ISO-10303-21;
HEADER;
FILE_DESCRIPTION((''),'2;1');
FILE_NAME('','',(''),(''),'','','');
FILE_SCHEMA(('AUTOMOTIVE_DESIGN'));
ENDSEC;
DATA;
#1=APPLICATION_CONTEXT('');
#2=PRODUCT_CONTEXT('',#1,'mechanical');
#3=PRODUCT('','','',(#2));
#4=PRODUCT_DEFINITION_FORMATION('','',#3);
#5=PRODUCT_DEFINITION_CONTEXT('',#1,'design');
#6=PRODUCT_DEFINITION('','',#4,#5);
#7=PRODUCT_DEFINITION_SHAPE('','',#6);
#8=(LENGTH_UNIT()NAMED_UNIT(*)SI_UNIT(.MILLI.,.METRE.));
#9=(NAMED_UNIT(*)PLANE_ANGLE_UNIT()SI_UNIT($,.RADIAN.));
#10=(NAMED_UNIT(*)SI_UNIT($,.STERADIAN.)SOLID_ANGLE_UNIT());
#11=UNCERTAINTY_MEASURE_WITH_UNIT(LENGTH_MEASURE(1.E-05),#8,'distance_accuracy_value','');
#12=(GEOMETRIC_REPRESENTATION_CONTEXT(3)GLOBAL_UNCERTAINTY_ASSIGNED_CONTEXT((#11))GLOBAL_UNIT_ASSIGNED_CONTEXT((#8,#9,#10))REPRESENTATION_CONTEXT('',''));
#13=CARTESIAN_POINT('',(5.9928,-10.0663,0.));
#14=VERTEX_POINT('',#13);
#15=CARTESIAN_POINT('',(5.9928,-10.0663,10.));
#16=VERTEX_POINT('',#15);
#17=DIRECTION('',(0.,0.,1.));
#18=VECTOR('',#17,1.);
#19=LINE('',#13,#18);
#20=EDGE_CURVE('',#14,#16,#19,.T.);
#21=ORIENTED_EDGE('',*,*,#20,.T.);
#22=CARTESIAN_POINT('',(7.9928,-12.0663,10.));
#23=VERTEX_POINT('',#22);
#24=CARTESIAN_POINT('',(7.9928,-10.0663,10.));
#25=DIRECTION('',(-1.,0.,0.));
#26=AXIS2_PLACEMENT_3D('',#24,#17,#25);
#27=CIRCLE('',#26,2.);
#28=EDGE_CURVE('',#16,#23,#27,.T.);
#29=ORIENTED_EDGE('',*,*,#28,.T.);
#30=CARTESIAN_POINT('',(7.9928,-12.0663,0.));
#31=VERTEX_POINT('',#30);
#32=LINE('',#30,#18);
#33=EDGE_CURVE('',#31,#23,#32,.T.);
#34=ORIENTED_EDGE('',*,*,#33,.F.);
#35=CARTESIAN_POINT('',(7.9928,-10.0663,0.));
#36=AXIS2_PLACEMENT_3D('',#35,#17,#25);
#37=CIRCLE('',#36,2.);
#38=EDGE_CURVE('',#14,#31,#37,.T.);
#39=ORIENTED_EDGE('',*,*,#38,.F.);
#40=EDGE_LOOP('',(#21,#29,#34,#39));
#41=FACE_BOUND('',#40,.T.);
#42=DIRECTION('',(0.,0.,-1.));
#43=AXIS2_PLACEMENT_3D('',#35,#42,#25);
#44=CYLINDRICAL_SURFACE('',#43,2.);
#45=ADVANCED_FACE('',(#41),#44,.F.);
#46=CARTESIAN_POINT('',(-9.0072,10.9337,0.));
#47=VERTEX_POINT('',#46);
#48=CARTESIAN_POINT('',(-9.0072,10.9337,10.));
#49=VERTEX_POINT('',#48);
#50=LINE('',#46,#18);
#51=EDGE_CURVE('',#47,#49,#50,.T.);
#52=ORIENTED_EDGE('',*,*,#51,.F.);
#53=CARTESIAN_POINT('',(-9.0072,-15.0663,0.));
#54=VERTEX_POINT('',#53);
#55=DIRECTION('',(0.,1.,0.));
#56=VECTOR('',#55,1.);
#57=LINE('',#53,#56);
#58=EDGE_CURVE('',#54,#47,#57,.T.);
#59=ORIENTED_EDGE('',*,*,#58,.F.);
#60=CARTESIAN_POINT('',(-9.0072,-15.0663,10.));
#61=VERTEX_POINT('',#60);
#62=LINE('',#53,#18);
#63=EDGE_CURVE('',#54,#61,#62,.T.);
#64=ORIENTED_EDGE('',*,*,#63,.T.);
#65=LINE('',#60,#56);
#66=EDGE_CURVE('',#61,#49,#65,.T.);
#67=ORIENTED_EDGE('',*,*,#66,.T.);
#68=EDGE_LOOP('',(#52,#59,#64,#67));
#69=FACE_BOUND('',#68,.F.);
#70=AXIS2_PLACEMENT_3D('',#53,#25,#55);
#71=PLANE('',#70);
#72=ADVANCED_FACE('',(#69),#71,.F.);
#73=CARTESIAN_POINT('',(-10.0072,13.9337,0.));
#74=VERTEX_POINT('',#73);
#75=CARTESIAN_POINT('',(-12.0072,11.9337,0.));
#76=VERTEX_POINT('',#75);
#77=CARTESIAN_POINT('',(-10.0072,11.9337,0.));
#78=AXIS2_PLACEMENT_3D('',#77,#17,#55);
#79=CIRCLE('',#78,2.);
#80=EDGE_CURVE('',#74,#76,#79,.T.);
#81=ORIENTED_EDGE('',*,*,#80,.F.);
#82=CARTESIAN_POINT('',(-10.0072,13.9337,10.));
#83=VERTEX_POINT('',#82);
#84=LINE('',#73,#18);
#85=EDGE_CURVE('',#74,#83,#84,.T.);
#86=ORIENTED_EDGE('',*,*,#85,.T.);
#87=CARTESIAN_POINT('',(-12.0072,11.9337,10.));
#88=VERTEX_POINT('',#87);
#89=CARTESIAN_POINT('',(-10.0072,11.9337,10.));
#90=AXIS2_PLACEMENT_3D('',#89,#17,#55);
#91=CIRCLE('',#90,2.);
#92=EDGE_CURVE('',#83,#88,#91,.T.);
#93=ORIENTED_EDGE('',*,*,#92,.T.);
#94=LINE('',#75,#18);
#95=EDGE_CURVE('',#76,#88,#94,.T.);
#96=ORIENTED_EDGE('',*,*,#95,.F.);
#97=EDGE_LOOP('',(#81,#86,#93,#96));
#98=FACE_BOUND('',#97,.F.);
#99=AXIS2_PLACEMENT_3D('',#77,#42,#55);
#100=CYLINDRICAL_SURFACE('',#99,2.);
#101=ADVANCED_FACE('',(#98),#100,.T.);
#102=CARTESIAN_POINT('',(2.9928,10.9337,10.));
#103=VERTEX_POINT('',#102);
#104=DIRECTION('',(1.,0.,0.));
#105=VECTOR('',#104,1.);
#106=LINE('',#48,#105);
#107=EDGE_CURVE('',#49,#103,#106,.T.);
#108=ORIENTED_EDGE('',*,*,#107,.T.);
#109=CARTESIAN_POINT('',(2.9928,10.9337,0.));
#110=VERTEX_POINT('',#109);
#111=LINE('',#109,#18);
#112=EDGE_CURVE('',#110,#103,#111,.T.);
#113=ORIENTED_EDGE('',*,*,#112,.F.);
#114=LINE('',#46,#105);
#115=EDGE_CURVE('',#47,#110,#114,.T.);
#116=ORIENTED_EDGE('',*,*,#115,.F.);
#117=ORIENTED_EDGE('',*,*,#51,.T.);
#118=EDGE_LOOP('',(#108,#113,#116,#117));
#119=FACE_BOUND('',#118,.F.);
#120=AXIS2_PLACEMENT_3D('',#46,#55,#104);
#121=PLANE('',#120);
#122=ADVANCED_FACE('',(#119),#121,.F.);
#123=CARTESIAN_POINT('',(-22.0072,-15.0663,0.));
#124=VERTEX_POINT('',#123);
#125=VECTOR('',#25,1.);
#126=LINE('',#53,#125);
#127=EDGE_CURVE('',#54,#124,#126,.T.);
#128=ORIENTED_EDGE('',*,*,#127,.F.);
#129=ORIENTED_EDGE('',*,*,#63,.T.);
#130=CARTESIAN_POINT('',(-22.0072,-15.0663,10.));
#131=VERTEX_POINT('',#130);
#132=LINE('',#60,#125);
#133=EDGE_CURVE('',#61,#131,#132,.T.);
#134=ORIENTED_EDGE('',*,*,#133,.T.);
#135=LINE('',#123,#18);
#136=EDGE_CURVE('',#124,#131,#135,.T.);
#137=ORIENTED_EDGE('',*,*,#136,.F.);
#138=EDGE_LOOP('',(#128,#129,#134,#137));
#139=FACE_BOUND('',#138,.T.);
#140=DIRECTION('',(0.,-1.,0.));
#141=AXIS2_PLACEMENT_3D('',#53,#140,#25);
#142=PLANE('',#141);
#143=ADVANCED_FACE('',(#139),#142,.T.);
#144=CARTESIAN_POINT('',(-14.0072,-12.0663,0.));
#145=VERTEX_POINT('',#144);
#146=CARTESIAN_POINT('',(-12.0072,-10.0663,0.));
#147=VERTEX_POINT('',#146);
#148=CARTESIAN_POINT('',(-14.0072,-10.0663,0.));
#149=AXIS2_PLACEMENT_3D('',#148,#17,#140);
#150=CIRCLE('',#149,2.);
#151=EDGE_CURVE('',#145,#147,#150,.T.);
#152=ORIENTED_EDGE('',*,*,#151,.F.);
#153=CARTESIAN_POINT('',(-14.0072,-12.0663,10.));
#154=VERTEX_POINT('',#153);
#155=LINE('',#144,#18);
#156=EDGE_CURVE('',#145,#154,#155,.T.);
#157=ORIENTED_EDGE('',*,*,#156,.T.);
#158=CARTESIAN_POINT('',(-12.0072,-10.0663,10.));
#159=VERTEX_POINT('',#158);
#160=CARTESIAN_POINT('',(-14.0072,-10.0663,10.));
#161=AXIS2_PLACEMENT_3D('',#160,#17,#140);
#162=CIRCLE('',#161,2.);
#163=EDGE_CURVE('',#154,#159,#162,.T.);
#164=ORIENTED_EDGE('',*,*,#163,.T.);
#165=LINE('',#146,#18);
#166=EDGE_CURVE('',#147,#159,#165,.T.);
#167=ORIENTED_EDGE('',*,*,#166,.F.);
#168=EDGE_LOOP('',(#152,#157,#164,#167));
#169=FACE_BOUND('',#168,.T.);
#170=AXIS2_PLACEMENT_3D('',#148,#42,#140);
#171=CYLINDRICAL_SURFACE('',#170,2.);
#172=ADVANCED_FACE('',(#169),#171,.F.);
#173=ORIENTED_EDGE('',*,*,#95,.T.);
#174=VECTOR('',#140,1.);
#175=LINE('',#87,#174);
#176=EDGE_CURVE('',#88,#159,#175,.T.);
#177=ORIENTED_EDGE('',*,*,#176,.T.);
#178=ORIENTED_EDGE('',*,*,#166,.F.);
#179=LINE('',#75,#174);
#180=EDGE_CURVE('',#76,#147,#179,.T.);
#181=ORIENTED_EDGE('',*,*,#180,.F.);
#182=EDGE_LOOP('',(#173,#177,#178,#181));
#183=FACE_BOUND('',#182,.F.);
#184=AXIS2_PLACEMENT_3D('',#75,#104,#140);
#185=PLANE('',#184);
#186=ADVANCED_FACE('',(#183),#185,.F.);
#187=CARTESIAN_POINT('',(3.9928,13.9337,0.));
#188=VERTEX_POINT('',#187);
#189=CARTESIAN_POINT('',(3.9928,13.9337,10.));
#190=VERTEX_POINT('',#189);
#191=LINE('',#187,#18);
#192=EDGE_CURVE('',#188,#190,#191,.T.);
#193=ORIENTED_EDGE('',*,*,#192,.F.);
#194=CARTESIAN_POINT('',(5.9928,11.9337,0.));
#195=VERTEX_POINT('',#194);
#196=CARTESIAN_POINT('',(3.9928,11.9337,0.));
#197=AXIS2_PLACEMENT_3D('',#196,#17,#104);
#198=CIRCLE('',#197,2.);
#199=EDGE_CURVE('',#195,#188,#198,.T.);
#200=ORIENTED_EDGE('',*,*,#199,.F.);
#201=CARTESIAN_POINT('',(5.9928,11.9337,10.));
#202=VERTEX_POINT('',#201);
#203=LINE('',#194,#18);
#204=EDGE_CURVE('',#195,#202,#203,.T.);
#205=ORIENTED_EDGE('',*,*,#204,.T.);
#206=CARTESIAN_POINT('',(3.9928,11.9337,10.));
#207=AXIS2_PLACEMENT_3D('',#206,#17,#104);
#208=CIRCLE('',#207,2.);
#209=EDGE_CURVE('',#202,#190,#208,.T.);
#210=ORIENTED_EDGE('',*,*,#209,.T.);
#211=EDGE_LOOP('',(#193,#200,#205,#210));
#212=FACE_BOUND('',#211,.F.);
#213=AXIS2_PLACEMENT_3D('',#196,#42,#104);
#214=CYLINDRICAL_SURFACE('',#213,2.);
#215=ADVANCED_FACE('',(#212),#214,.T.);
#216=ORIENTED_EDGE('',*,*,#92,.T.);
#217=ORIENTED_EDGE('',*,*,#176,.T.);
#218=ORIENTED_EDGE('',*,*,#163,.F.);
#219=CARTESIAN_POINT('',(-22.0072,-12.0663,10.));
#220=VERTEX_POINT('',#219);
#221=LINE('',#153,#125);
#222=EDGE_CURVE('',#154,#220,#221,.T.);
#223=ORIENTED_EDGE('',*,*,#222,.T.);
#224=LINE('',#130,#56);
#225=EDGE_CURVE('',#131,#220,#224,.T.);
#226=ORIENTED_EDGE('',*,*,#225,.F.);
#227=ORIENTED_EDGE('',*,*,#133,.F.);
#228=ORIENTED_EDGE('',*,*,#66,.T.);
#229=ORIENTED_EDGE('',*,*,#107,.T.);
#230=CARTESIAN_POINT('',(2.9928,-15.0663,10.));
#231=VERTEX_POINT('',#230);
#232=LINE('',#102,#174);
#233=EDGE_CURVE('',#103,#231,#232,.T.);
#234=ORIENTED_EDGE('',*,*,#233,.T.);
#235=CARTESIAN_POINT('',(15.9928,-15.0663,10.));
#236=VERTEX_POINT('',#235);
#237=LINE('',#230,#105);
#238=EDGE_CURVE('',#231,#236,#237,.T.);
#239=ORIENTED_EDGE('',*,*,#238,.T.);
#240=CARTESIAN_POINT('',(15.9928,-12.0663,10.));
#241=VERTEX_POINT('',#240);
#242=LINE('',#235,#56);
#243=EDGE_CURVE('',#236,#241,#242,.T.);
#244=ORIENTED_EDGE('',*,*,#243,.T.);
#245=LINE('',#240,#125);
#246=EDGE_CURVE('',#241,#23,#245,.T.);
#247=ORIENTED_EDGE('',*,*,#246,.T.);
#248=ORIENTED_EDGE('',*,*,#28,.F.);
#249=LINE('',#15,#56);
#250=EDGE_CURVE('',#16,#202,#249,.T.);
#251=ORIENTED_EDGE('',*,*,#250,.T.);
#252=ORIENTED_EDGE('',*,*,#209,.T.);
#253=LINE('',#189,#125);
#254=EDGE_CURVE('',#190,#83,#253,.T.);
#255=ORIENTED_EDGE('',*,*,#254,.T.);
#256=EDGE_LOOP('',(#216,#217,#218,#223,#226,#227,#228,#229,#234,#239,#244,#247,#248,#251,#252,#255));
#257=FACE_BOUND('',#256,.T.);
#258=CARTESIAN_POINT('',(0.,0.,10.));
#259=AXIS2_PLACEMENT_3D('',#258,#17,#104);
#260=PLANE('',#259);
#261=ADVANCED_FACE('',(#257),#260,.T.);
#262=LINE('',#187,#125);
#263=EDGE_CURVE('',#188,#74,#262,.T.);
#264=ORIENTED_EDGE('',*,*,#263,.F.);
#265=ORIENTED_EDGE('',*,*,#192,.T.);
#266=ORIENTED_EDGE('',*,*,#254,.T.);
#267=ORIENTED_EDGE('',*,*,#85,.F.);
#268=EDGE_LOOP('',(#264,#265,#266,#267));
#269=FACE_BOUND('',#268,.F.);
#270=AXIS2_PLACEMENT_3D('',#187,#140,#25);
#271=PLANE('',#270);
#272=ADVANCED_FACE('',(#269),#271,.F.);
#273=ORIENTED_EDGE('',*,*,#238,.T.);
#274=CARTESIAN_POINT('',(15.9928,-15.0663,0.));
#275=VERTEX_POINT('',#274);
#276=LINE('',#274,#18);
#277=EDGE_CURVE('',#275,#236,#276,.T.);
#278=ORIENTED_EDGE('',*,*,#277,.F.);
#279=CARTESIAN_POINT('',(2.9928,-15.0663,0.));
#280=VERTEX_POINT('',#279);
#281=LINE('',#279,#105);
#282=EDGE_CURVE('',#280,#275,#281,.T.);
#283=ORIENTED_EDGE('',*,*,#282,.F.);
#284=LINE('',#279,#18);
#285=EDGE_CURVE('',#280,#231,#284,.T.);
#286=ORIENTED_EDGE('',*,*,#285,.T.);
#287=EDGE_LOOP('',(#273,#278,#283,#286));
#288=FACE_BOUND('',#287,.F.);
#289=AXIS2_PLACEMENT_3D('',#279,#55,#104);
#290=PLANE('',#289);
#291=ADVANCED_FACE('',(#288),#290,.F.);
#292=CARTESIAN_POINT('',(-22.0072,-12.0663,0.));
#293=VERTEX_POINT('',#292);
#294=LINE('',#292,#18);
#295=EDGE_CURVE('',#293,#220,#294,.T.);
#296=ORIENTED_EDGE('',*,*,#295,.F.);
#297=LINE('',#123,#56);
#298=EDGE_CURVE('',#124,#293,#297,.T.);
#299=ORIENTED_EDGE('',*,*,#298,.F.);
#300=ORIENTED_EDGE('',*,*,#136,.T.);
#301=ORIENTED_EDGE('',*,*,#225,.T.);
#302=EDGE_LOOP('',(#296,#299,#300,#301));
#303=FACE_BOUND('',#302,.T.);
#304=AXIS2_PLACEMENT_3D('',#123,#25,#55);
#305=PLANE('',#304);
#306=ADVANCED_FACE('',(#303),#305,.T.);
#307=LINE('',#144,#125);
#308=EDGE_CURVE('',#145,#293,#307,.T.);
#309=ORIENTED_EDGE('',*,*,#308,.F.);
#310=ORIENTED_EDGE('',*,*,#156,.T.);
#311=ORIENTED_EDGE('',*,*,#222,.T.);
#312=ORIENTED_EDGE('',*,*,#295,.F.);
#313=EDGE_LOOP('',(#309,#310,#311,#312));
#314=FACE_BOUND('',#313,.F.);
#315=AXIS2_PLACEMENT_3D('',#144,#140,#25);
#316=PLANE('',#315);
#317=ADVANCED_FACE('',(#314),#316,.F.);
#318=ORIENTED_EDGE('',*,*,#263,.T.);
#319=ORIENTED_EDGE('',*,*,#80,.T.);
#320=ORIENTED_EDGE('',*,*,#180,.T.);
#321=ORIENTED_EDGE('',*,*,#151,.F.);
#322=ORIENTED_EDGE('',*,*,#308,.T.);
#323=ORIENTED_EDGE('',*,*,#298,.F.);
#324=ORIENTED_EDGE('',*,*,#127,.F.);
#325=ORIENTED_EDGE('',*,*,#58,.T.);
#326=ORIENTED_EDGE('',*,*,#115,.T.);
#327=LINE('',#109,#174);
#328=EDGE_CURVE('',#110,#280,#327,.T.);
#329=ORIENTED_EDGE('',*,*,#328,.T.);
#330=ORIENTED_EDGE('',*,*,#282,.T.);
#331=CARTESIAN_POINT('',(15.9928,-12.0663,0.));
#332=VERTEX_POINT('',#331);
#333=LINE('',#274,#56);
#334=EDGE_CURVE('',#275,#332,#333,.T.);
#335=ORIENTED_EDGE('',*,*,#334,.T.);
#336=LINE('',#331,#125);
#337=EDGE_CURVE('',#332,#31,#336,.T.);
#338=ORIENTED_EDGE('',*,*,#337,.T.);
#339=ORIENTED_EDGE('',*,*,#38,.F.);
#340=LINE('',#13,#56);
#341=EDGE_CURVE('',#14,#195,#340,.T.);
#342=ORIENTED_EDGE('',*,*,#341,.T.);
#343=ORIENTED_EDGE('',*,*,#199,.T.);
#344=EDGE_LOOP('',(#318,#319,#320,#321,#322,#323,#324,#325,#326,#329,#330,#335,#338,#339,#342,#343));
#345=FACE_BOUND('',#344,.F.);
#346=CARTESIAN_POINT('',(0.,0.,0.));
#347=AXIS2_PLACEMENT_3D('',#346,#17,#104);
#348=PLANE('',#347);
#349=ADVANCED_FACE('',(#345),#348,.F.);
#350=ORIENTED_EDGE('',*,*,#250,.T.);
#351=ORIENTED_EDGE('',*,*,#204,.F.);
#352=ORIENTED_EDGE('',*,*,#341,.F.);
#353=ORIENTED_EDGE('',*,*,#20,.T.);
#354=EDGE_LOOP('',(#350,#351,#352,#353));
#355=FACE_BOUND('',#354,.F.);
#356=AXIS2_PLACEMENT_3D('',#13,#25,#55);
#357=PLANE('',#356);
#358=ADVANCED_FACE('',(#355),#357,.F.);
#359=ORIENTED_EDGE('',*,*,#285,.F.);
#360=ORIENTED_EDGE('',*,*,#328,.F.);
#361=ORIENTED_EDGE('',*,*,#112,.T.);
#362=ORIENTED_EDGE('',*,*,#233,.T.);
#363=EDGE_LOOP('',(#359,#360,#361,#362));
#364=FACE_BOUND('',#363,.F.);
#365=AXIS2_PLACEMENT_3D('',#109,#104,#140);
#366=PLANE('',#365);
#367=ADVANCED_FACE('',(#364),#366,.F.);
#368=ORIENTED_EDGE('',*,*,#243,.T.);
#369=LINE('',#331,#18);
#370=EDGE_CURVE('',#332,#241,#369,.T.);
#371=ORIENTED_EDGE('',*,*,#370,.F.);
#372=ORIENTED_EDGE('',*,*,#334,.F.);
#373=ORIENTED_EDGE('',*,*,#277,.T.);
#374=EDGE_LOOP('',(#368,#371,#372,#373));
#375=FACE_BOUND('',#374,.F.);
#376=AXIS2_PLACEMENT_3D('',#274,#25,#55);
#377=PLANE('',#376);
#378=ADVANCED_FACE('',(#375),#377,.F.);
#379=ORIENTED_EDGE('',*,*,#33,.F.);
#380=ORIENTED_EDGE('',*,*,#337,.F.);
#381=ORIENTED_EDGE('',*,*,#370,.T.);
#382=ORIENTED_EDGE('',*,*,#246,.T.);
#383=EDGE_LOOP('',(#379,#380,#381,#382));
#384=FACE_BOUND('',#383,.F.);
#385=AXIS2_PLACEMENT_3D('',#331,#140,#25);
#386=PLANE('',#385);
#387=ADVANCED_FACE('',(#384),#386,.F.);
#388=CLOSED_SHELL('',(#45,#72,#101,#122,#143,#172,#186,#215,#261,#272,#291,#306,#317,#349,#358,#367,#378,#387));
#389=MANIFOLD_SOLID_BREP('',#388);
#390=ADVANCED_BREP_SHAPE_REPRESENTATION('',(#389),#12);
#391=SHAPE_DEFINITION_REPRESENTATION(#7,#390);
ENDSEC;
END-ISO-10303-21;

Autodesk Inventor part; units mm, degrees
ref_plane "YZ Plane" through (0, 0, 0) normal (1, 0, 0) x (0, 1, 0)
ref_plane "XZ Plane" through (0, 0, 0) normal (0, 1, 0) x (-1, 0, 0)
ref_plane "XY Plane" through (0, 0, 0) normal (0, 0, 1) x (1, 0, 0)
sketch "Sketch1" plane through (0, 0, 0) normal (0, 0, 1) x (1, 0, 0)
  line L0 (-9.0072, 10.9337) -> (2.9928, 10.9337)
  line L1 (2.9928, 10.9337) -> (2.9928, -15.0663)
  line L2 (-9.0072, -15.0663) -> (-9.0072, 10.9337)
  line L3 (-9.0072, -15.0663) -> (-22.0072, -15.0663)
  line L4 (2.9928, -15.0663) -> (15.9928, -15.0663)
  line L5 (15.9928, -12.0663) -> (7.9928, -12.0663)
  line L6 (5.9928, -10.0663) -> (5.9928, 11.9337)
  line L7 (3.9928, 13.9337) -> (-10.0072, 13.9337)
  line L8 (-12.0072, 11.9337) -> (-12.0072, -10.0663)
  line L9 (-14.0072, -12.0663) -> (-22.0072, -12.0663)
  line L10 (-22.0072, -15.0663) -> (-22.0072, -12.0663)
  line L11 (15.9928, -15.0663) -> (15.9928, -12.0663)
  arc A0 (-14.0072, -12.0663) -> (-12.0072, -10.0663) centre (-14.0072, -10.0663) ccw
  arc A1 (-10.0072, 13.9337) -> (-12.0072, 11.9337) centre (-10.0072, 11.9337) ccw
  arc A2 (5.9928, 11.9337) -> (3.9928, 13.9337) centre (3.9928, 11.9337) ccw
  arc A3 (5.9928, -10.0663) -> (7.9928, -12.0663) centre (7.9928, -10.0663) ccw
  point P0 (0, 0)
  point P1 (5.9928, -12.0663)
  point P2 (5.9928, 13.9337)
  point P3 (-12.0072, 13.9337)
  point P4 (-12.0072, -12.0663)
  dimension "d2" = 12
  dimension "d3" = 26
  dimension "d4" = 13
  dimension "d5" = 13
  dimension "d6" = 3
  dimension "d7" = 26
  dimension "d10" = 2
  dimension "d11" = 10
extrude "Extrusion1" add sketch "Sketch1" along normal blind 10
properties part number "dudukan mini servo"
